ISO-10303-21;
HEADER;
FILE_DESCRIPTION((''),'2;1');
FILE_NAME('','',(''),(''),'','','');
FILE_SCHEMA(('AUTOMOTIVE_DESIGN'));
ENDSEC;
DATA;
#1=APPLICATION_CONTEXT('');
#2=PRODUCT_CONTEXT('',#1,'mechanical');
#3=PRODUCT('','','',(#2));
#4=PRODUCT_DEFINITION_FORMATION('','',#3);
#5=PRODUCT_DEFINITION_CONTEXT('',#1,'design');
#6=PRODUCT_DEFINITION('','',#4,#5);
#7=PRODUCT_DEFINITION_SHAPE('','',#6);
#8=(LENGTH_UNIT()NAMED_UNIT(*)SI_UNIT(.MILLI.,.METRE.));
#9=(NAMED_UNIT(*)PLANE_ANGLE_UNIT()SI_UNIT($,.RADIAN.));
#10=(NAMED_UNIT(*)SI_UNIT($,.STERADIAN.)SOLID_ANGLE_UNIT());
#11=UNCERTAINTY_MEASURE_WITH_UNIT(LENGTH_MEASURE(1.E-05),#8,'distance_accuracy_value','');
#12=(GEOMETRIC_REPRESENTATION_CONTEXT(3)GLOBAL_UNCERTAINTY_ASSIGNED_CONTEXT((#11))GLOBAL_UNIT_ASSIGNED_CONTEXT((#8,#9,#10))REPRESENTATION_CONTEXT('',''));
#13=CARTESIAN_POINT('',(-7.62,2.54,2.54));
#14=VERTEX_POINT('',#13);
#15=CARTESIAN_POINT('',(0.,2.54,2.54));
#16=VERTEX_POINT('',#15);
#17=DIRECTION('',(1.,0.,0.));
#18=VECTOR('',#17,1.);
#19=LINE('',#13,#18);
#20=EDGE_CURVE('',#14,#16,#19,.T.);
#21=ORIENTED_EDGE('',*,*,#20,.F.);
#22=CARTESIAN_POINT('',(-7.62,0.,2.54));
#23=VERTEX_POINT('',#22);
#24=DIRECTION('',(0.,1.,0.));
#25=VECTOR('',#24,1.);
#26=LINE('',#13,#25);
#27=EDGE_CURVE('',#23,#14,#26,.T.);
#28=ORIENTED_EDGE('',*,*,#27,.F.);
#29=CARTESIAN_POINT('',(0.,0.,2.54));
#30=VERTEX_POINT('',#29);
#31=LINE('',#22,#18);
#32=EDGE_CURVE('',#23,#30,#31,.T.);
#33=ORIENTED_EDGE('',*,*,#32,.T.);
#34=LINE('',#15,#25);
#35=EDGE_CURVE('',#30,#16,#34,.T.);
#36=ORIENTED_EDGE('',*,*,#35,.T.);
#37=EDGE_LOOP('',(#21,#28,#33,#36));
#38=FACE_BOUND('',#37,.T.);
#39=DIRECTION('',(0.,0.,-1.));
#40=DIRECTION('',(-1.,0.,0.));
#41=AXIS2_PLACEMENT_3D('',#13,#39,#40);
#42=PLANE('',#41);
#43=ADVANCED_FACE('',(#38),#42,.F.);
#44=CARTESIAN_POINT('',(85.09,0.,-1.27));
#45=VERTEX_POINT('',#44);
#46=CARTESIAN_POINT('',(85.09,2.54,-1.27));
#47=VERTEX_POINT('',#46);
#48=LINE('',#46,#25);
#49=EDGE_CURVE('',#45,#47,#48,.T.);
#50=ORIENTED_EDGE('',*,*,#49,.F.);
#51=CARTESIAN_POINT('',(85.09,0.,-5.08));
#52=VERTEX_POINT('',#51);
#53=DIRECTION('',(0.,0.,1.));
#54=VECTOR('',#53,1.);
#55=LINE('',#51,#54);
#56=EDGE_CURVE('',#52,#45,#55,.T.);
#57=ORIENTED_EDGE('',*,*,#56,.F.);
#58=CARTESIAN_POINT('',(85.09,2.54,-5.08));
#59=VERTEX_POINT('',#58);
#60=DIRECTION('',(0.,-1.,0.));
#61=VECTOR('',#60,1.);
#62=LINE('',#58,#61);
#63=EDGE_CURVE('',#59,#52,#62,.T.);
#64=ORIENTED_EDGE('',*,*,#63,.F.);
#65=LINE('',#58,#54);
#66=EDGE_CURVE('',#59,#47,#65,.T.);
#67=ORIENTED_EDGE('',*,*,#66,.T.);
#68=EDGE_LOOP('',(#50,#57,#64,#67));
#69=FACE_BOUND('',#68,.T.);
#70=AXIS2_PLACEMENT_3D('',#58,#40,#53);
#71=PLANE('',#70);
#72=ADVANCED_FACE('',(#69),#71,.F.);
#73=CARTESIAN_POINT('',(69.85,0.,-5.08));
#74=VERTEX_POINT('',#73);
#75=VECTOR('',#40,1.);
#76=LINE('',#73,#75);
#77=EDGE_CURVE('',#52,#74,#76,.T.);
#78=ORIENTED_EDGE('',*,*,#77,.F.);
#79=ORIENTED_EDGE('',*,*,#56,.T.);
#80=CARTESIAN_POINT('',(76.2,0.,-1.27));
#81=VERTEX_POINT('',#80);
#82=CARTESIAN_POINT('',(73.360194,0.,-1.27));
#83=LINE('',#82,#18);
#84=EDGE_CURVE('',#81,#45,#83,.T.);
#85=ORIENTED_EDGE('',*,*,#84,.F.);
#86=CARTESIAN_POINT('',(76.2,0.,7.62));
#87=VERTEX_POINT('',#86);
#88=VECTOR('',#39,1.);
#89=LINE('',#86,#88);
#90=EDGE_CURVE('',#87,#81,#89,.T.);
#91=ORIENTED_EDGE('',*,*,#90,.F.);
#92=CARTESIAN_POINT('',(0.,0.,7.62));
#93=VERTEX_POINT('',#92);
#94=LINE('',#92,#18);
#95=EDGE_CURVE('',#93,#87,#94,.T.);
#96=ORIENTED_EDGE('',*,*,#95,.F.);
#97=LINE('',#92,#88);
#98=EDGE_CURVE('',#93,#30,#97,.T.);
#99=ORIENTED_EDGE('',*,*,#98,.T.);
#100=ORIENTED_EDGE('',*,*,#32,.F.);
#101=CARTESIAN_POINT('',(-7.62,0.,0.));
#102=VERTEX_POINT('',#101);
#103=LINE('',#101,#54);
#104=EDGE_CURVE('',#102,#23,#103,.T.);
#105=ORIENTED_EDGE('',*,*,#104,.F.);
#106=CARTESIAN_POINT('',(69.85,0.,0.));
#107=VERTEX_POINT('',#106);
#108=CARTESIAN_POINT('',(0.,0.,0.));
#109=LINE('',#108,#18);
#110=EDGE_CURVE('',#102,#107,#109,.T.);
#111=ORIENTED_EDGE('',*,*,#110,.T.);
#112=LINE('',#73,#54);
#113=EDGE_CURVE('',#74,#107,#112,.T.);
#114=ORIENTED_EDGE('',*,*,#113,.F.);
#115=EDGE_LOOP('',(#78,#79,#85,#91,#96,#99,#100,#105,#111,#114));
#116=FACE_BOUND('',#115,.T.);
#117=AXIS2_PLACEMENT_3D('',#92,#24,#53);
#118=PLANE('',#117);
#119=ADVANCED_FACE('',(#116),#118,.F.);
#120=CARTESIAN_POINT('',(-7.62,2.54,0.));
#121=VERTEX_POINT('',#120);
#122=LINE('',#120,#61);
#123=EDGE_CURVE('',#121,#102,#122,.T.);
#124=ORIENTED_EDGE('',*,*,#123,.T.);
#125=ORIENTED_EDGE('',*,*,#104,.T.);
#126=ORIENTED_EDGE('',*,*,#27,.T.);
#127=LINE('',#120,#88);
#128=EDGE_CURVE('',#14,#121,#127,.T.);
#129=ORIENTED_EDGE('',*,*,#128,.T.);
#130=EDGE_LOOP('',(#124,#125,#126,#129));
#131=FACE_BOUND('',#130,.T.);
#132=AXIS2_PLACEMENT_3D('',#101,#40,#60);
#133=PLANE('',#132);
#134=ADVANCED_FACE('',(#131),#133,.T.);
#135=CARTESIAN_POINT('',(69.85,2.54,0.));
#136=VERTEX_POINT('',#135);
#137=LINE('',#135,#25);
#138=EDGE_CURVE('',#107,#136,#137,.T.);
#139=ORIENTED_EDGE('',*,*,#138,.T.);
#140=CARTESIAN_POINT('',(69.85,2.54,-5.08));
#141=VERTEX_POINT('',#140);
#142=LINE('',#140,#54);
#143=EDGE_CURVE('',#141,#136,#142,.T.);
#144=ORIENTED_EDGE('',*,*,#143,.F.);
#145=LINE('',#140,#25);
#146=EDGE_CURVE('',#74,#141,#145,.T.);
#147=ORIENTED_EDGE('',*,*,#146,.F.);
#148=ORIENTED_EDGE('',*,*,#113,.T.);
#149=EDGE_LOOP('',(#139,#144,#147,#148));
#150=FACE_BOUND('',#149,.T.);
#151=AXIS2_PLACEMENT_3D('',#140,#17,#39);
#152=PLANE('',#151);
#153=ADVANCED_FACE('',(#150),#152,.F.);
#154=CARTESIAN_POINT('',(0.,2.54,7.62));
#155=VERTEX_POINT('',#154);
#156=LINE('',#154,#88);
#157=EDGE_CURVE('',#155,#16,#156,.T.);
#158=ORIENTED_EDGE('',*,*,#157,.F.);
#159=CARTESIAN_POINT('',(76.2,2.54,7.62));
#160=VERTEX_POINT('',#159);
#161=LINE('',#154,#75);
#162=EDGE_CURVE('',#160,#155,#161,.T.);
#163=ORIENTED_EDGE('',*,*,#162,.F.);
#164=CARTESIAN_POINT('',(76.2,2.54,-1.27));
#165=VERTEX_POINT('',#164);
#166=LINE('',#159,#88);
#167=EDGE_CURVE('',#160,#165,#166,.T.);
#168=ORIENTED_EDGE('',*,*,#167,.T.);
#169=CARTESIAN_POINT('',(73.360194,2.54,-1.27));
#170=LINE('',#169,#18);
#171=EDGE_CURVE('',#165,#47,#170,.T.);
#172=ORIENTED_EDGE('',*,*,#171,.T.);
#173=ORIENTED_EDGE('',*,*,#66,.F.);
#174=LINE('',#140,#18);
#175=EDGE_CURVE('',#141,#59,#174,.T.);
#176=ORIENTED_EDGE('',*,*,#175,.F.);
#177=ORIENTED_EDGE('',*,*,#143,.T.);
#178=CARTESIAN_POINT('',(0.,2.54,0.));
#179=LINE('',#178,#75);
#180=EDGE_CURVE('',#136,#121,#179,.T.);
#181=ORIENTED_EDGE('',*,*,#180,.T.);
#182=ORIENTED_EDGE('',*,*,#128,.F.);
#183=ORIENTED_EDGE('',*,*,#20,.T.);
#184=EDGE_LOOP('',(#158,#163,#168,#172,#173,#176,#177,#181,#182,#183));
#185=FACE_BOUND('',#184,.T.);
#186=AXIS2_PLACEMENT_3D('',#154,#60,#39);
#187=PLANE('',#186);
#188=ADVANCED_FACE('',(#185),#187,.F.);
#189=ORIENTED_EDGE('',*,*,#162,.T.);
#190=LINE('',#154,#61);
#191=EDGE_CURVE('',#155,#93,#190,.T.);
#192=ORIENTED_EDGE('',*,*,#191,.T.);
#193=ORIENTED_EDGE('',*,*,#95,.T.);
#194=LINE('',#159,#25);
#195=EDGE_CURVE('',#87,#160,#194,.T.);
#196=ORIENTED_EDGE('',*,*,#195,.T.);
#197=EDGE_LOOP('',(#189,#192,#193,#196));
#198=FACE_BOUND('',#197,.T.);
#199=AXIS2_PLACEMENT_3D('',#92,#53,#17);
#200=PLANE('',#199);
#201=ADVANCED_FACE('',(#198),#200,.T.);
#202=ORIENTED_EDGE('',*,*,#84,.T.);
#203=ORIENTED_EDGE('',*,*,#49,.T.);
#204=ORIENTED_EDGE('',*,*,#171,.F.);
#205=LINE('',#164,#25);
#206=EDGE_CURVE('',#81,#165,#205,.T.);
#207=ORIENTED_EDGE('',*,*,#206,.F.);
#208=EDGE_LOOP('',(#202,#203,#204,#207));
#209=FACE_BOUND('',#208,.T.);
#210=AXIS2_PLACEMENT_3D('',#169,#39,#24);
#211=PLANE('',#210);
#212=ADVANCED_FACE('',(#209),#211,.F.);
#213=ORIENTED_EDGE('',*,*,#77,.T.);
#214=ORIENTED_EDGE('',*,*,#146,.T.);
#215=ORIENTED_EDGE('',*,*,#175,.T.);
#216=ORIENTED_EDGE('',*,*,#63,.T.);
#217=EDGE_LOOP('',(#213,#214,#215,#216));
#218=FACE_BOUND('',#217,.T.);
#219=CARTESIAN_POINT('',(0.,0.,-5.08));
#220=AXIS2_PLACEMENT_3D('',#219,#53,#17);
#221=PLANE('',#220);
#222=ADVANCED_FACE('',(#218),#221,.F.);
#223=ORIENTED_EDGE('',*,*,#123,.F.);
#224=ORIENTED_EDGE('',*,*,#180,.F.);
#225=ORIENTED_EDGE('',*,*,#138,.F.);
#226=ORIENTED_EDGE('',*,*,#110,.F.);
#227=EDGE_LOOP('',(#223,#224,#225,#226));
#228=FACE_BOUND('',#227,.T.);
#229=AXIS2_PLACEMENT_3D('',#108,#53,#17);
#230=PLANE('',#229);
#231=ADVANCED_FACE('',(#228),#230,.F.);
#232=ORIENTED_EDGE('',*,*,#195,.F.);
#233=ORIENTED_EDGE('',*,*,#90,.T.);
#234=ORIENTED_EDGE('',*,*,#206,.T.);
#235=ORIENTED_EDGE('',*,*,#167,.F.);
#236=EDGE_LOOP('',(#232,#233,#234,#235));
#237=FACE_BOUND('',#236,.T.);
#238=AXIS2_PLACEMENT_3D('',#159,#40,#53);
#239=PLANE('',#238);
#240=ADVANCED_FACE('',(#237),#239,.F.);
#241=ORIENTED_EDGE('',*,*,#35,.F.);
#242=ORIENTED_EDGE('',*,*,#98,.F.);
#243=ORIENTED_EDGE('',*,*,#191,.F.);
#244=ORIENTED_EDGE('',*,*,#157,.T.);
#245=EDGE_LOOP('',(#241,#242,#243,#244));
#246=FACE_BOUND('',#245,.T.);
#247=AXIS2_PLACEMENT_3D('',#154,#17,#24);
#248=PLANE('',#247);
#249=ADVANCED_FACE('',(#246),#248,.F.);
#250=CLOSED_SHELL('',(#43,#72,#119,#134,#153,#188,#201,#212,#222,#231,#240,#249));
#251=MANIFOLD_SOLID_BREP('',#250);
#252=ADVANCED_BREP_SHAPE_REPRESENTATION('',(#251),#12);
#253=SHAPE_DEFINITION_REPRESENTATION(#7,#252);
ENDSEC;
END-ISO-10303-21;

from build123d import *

# Parameters (mm, degrees)
SKETCH1_W           = 76.2
SKETCH1_H           = 2.54
BOSS_EXTRUDE1_DEPTH = 7.62
SKETCH3_W           = 2.54
SKETCH3_H           = 2.54
BOSS_EXTRUDE2_DEPTH = 7.62
SKETCH4_W           = 15.24
SKETCH4_H           = 2.54
BOSS_EXTRUDE3_DEPTH = 5.08
SKETCH5_W           = 1.27
SKETCH5_H           = 2.54
CUT_EXTRUDE2_DEPTH  = 8.89


with BuildPart() as part:
    # Sketch1 → Boss-Extrude1 (new body)
    with BuildSketch(Plane.XY):
        with Locations((38.1, 1.27)):
            Rectangle(SKETCH1_W, SKETCH1_H)
    extrude(amount=BOSS_EXTRUDE1_DEPTH)

    # Sketch3 → Boss-Extrude2 (add)
    with BuildSketch(Plane.ZY):
        with Locations((1.27, 1.27)):
            Rectangle(SKETCH3_W, SKETCH3_H)
    extrude(amount=BOSS_EXTRUDE2_DEPTH)

    # Sketch4 → Boss-Extrude3 (add)
    with BuildSketch(Plane(origin=(0, 0, 0), x_dir=(-1, 0, 0), z_dir=(0, 0, -1))):
        with Locations((-77.47, 1.27)):
            Rectangle(SKETCH4_W, SKETCH4_H)
    extrude(amount=BOSS_EXTRUDE3_DEPTH)

    # Sketch5 → Cut-Extrude2 (cut)
    with BuildSketch(Plane(origin=(85.09, 0, 0), x_dir=(0, 0, -1), z_dir=(1, 0, 0))):
        with Locations((0.635, 1.27)):
            Rectangle(SKETCH5_W, SKETCH5_H)
    extrude(amount=-CUT_EXTRUDE2_DEPTH, mode=Mode.SUBTRACT)


solid = part.part
